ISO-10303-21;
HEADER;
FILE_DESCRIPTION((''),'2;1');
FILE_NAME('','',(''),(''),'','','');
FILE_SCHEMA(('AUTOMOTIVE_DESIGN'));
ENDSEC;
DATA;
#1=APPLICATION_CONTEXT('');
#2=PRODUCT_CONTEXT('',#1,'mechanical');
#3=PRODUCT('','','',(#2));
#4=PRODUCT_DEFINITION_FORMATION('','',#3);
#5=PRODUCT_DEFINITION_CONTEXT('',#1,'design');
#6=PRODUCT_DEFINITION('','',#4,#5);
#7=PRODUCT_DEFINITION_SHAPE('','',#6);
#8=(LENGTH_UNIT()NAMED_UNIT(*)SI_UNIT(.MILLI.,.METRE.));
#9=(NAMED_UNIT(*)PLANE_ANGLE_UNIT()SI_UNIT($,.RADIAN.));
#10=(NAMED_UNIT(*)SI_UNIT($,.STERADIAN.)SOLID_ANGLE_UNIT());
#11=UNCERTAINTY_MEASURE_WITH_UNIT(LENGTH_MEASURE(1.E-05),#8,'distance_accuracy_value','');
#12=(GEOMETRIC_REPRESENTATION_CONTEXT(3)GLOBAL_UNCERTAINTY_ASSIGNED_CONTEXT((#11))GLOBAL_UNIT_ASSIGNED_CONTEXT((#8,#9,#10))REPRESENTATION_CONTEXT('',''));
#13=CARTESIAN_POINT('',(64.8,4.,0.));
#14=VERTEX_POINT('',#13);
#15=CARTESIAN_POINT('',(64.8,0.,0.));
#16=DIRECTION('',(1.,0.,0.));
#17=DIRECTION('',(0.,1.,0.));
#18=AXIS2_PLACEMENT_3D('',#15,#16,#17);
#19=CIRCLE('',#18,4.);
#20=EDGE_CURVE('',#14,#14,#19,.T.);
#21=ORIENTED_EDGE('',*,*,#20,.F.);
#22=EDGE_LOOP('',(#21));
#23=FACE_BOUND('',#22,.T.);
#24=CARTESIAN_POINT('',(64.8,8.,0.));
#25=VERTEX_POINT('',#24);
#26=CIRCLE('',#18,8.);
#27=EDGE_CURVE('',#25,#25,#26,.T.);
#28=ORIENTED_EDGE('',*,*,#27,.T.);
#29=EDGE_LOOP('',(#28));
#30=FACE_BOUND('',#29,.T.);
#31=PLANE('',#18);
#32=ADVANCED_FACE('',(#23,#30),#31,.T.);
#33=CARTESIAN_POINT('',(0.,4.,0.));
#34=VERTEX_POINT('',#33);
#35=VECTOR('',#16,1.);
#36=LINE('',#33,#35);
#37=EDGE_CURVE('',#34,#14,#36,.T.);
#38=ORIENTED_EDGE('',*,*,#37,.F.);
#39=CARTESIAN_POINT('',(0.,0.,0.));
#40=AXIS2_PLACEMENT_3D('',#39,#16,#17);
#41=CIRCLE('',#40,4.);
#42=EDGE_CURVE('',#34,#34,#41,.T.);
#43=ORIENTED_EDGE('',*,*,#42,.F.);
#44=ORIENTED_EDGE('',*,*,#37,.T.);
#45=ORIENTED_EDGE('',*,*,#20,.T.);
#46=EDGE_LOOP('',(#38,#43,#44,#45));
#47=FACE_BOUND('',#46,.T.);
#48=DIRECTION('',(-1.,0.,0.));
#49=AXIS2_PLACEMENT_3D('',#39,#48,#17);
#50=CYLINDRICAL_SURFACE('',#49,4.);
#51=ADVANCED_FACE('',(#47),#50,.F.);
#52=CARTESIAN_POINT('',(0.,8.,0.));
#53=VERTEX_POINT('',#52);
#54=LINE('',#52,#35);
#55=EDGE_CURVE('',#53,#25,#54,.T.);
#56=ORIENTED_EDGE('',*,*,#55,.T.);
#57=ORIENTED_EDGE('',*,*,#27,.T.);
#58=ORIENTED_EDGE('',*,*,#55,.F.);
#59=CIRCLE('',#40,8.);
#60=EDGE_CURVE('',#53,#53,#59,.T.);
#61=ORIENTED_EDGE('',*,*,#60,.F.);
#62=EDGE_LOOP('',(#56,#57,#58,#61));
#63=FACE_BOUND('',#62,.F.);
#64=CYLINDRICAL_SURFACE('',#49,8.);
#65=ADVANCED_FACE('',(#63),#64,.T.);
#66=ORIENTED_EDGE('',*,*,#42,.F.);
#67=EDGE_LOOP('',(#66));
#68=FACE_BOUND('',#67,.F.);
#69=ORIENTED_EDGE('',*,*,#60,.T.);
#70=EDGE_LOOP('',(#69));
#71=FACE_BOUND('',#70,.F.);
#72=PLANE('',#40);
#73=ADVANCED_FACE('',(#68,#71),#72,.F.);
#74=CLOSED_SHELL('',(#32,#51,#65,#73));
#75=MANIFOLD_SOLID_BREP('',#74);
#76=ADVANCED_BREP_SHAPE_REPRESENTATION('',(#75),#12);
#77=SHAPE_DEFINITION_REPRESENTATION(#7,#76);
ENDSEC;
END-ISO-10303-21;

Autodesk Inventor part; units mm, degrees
ref_plane "YZ Plane" through (0, 0, 0) normal (1, 0, 0) x (0, 1, 0)
ref_plane "XZ Plane" through (0, 0, 0) normal (0, 1, 0) x (-1, 0, 0)
ref_plane "XY Plane" through (0, 0, 0) normal (0, 0, 1) x (1, 0, 0)
sketch "Sketch1" plane through (0, 0, 0) normal (1, 0, 0) x (0, 1, 0)
  circle A0 centre (0, 0) radius 8
  circle A1 centre (0, 0) radius 4
  dimension "d0" = 16
  dimension "d1" = 8
extrude "Extrusion1" add sketch "Sketch1" along normal blind 64.8
properties part number "Gearbox Spacer" material "Aluminum 6061"
